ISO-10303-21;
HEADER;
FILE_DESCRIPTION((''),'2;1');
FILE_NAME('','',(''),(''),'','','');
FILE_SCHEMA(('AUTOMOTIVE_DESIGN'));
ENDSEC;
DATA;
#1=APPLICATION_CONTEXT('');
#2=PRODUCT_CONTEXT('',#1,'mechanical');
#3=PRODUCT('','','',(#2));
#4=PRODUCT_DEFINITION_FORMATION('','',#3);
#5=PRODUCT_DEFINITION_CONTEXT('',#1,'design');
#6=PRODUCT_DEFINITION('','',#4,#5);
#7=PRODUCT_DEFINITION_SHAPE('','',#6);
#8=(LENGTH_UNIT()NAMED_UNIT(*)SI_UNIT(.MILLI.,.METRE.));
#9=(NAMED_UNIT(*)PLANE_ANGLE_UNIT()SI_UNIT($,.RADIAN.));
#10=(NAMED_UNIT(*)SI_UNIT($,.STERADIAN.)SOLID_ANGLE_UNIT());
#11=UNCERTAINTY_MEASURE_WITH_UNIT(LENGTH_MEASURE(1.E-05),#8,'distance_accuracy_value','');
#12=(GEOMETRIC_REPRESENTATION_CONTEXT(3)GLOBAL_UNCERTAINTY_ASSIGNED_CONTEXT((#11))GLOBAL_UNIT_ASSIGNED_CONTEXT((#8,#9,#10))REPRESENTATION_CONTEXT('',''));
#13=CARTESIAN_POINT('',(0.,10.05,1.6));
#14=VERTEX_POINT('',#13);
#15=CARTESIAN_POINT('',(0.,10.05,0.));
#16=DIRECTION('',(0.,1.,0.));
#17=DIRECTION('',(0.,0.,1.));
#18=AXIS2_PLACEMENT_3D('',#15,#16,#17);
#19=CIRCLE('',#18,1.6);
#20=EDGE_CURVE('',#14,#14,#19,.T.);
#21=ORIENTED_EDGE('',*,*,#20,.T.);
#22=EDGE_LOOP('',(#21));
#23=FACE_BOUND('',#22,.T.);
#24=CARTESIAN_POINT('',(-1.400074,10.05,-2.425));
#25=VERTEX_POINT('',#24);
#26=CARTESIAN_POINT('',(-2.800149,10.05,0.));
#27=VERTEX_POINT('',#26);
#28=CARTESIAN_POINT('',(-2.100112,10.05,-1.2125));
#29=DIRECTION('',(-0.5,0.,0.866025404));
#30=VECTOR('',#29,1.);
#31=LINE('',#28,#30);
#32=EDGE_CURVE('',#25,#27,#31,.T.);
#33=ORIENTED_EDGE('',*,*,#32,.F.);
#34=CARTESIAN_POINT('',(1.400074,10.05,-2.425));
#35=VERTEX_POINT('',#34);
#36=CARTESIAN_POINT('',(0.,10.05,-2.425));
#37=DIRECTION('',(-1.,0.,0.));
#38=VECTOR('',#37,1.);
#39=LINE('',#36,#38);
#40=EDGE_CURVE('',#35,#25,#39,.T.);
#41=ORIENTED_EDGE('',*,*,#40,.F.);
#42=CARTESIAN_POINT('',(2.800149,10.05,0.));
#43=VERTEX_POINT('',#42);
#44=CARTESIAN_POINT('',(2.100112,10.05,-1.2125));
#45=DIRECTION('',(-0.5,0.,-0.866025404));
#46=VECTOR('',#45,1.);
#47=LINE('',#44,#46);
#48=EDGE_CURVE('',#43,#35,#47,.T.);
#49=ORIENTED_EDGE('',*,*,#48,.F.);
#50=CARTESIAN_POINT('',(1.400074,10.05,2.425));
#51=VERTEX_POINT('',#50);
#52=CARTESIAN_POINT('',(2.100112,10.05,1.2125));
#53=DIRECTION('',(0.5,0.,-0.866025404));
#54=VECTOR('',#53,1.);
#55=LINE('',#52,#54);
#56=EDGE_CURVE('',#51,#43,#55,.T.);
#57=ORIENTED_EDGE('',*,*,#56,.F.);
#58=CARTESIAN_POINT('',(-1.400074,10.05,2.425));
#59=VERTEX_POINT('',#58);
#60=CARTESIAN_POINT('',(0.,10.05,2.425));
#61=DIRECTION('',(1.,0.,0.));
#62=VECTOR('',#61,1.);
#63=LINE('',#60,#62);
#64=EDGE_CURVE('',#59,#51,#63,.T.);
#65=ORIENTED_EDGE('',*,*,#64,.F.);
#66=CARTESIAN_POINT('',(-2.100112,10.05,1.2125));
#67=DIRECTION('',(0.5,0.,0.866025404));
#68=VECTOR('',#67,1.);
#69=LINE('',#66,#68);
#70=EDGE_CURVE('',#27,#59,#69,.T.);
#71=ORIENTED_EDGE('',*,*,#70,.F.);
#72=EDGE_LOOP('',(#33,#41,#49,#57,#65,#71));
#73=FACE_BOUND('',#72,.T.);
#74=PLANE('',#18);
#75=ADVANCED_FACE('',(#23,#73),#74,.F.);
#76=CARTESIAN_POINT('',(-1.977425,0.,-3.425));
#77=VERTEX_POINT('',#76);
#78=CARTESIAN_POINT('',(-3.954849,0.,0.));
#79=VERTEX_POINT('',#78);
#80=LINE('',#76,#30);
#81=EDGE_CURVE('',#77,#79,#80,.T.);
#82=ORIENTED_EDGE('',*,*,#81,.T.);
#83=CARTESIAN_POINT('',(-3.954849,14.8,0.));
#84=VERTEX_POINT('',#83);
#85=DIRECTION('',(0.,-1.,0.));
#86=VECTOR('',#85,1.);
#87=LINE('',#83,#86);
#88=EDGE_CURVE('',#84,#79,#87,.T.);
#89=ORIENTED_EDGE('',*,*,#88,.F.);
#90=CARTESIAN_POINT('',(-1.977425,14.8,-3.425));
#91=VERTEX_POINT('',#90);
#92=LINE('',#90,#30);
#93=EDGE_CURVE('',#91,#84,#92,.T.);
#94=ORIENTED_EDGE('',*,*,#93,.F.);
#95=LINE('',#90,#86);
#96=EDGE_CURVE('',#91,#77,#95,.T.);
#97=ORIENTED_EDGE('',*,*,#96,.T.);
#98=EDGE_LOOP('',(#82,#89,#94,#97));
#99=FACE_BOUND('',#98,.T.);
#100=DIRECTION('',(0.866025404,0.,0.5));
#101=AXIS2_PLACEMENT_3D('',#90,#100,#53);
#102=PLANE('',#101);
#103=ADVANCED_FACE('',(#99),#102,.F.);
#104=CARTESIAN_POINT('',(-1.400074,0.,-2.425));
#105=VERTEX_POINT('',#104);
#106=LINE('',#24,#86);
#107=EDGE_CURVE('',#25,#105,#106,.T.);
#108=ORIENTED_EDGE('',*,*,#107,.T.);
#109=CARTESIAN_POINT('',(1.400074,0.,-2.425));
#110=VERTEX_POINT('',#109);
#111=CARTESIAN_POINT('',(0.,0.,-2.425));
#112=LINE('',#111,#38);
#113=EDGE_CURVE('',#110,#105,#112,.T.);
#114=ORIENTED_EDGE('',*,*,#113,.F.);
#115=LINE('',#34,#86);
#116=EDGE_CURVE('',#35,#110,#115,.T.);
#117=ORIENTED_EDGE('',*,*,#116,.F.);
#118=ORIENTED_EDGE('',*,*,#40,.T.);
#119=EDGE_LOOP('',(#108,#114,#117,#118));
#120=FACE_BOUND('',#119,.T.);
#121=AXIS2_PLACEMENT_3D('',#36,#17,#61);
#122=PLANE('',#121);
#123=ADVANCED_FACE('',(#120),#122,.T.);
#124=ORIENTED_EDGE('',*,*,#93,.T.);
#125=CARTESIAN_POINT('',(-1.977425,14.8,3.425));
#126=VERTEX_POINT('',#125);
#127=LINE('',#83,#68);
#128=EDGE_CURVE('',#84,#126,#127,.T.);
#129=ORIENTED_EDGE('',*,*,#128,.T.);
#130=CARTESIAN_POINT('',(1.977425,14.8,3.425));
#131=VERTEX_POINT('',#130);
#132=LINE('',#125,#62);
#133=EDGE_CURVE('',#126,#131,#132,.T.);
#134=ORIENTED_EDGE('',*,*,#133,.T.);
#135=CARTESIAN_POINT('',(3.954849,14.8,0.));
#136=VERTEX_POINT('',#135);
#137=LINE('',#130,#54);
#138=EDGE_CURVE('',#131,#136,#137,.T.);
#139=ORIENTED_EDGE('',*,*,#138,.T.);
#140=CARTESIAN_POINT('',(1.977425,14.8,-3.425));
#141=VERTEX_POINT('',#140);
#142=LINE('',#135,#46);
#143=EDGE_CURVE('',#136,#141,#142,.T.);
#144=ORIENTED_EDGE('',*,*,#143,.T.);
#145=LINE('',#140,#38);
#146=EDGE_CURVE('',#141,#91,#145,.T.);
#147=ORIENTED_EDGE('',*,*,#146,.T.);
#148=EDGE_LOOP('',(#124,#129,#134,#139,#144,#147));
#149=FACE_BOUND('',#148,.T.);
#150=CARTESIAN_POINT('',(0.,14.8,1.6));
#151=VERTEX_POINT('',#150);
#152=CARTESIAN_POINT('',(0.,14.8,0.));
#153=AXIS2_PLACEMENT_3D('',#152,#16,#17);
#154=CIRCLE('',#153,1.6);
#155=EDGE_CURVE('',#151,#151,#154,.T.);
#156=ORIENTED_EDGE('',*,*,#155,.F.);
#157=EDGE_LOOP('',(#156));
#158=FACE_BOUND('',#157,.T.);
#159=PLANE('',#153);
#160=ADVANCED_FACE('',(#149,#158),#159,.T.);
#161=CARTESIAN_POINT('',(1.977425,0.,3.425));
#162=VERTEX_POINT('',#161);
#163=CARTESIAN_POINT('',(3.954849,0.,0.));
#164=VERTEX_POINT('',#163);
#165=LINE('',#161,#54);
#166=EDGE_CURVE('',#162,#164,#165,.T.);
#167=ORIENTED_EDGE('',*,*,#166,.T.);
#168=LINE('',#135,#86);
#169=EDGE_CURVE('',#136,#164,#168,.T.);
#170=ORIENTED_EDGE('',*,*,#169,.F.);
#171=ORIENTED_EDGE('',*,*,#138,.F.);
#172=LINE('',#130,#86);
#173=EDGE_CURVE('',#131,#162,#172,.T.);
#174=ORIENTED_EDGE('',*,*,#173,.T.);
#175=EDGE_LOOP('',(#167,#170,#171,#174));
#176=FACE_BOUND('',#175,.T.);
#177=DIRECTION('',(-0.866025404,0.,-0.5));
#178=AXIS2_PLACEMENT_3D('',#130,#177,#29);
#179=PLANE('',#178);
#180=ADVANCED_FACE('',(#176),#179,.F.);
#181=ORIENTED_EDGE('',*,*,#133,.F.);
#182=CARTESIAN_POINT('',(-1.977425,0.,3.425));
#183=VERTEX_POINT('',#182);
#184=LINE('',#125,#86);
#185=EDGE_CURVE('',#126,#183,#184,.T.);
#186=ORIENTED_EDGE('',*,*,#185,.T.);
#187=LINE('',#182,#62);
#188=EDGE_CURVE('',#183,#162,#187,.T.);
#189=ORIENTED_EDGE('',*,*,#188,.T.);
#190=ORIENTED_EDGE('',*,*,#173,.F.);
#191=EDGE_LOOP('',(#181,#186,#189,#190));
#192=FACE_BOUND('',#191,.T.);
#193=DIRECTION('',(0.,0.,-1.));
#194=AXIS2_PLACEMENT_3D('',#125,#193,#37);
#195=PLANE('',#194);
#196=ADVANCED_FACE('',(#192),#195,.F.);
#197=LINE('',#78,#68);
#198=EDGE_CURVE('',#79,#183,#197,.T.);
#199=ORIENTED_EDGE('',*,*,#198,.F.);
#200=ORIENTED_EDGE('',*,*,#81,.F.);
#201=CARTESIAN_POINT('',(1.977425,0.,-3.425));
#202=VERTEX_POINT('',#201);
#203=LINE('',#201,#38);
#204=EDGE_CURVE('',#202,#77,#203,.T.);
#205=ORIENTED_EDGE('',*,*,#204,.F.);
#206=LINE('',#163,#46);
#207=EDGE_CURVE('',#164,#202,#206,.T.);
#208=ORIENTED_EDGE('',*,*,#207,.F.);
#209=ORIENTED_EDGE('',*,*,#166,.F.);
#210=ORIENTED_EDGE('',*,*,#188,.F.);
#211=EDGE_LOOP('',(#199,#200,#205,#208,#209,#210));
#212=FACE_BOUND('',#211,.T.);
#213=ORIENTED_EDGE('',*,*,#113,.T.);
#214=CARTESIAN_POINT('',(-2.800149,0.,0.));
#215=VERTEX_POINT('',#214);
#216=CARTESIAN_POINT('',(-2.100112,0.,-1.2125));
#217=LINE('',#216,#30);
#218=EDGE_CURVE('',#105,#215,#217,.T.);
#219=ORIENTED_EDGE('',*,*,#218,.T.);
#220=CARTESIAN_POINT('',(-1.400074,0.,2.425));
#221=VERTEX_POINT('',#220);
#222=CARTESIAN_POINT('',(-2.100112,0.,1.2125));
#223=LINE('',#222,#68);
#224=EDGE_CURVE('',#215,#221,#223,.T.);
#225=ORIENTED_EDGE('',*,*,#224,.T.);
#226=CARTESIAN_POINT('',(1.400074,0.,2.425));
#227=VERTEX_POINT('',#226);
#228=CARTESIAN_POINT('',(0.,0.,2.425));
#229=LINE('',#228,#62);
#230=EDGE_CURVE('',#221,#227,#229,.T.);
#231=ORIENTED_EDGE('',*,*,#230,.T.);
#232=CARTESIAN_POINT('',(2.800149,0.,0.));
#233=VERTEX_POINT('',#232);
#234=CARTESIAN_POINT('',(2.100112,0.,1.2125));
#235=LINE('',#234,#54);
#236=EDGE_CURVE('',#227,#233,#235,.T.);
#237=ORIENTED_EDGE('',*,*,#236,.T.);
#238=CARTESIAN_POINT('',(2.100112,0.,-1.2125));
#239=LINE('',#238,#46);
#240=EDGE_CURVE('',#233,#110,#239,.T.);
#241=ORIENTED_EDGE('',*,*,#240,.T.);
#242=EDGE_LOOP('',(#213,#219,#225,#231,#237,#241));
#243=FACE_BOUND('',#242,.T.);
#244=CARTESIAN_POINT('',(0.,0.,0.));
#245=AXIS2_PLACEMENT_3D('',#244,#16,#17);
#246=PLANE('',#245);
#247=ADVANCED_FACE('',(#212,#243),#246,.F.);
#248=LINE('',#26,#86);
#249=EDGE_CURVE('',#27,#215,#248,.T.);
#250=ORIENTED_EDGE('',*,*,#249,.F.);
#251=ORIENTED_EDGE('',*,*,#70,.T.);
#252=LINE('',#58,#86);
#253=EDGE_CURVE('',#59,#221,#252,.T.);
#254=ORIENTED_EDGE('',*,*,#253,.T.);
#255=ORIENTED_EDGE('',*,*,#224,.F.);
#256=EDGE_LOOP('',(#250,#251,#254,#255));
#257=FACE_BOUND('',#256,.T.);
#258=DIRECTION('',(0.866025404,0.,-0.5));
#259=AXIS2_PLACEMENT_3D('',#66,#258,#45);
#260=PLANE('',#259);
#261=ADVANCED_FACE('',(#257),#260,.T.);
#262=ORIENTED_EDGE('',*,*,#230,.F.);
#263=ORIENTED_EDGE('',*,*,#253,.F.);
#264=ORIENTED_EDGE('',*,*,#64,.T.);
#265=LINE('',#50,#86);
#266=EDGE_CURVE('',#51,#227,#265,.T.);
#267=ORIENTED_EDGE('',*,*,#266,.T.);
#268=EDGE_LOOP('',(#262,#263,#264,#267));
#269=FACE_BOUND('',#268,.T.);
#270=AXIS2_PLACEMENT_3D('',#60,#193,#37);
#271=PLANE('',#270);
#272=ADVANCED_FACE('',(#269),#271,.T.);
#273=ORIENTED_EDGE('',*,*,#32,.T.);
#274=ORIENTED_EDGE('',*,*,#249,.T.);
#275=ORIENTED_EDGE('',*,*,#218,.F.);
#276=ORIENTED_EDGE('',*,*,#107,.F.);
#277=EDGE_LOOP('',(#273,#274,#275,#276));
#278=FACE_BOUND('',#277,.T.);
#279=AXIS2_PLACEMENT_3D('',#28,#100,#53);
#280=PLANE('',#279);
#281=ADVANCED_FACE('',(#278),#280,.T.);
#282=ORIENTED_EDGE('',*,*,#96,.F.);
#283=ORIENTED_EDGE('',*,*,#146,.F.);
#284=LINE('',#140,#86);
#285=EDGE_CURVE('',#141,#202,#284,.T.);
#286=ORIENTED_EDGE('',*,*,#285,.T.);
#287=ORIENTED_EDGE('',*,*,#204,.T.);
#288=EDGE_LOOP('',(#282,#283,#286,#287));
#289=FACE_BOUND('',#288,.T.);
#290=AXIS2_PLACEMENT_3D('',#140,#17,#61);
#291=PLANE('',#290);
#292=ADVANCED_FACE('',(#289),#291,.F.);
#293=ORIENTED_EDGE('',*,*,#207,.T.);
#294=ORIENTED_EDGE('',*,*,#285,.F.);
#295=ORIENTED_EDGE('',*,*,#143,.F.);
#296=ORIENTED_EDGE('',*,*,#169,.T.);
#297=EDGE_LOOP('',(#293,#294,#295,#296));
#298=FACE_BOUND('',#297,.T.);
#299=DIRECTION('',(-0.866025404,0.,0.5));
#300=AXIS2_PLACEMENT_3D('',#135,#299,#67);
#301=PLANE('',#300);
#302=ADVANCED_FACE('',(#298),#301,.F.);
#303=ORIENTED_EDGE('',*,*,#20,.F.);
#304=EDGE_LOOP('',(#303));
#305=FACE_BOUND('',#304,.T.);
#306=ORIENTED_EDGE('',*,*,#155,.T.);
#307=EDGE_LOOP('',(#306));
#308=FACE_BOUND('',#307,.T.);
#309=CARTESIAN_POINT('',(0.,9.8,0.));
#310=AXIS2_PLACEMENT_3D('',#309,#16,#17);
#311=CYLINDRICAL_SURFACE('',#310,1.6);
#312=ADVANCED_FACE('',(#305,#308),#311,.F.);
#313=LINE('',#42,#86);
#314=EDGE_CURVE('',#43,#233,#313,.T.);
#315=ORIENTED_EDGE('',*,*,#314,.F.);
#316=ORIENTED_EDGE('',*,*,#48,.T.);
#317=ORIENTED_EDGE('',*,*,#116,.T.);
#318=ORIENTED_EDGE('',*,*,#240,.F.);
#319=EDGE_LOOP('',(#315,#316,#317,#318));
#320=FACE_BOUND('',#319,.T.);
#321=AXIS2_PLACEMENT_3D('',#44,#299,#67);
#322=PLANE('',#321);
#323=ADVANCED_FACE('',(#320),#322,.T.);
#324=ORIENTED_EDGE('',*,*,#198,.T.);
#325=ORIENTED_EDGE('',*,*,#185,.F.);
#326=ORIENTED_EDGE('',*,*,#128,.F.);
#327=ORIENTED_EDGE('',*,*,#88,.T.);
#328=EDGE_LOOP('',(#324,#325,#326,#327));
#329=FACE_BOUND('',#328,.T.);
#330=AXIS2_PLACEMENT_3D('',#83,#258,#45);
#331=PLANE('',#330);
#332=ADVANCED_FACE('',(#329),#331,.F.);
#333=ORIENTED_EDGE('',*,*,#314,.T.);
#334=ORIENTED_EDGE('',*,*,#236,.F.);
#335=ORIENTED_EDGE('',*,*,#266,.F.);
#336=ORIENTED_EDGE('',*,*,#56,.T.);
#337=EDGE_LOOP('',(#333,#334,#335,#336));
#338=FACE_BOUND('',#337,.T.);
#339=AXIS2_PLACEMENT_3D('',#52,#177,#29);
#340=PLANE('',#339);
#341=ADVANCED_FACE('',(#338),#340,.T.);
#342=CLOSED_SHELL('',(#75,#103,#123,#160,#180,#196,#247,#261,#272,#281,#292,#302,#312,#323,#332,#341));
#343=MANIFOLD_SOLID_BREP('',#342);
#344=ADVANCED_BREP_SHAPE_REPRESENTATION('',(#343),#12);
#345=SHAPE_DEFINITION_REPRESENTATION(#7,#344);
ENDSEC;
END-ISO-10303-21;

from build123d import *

# Parameters (mm, degrees)
SALIENTE_EXTRUIR1_DEPTH = 14.8
CORTAR_EXTRUIR1_DEPTH   = 10.05
CROQUIS2_R              = 1.6
CORTAR_EXTRUIR2_DEPTH   = 5


with BuildPart() as part:
    # Croquis1 → Saliente-Extruir1 (new body)
    with BuildSketch(Plane(origin=(0, 0, 0), x_dir=(1, 0, 0), z_dir=(0, 1, 0))):
        Polygon((1.977424672, -3.425), (3.954849344, 0), (1.977424672, 3.425), (-1.977424672, 3.425), (-3.954849344, 0), (-1.977424672, -3.425), align=None)
    extrude(amount=SALIENTE_EXTRUIR1_DEPTH)

    # Croquis1<3> → Cortar-Extruir1 (cut)
    with BuildSketch(Plane(origin=(0, 0, 0), x_dir=(1, 0, 0), z_dir=(0, 1, 0))):
        Polygon((-1.400074403, -2.425), (1.400074403, -2.425), (2.800148806, 0), (1.400074403, 2.425), (-1.400074403, 2.425), (-2.800148806, 0), align=None)
    extrude(amount=CORTAR_EXTRUIR1_DEPTH, mode=Mode.SUBTRACT)

    # Croquis2 → Cortar-Extruir2 (cut)
    with BuildSketch(Plane(origin=(0, 14.8, 0), x_dir=(1, 0, 0), z_dir=(0, 1, 0))):
        Circle(CROQUIS2_R)
    extrude(amount=-CORTAR_EXTRUIR2_DEPTH, mode=Mode.SUBTRACT)


solid = part.part
